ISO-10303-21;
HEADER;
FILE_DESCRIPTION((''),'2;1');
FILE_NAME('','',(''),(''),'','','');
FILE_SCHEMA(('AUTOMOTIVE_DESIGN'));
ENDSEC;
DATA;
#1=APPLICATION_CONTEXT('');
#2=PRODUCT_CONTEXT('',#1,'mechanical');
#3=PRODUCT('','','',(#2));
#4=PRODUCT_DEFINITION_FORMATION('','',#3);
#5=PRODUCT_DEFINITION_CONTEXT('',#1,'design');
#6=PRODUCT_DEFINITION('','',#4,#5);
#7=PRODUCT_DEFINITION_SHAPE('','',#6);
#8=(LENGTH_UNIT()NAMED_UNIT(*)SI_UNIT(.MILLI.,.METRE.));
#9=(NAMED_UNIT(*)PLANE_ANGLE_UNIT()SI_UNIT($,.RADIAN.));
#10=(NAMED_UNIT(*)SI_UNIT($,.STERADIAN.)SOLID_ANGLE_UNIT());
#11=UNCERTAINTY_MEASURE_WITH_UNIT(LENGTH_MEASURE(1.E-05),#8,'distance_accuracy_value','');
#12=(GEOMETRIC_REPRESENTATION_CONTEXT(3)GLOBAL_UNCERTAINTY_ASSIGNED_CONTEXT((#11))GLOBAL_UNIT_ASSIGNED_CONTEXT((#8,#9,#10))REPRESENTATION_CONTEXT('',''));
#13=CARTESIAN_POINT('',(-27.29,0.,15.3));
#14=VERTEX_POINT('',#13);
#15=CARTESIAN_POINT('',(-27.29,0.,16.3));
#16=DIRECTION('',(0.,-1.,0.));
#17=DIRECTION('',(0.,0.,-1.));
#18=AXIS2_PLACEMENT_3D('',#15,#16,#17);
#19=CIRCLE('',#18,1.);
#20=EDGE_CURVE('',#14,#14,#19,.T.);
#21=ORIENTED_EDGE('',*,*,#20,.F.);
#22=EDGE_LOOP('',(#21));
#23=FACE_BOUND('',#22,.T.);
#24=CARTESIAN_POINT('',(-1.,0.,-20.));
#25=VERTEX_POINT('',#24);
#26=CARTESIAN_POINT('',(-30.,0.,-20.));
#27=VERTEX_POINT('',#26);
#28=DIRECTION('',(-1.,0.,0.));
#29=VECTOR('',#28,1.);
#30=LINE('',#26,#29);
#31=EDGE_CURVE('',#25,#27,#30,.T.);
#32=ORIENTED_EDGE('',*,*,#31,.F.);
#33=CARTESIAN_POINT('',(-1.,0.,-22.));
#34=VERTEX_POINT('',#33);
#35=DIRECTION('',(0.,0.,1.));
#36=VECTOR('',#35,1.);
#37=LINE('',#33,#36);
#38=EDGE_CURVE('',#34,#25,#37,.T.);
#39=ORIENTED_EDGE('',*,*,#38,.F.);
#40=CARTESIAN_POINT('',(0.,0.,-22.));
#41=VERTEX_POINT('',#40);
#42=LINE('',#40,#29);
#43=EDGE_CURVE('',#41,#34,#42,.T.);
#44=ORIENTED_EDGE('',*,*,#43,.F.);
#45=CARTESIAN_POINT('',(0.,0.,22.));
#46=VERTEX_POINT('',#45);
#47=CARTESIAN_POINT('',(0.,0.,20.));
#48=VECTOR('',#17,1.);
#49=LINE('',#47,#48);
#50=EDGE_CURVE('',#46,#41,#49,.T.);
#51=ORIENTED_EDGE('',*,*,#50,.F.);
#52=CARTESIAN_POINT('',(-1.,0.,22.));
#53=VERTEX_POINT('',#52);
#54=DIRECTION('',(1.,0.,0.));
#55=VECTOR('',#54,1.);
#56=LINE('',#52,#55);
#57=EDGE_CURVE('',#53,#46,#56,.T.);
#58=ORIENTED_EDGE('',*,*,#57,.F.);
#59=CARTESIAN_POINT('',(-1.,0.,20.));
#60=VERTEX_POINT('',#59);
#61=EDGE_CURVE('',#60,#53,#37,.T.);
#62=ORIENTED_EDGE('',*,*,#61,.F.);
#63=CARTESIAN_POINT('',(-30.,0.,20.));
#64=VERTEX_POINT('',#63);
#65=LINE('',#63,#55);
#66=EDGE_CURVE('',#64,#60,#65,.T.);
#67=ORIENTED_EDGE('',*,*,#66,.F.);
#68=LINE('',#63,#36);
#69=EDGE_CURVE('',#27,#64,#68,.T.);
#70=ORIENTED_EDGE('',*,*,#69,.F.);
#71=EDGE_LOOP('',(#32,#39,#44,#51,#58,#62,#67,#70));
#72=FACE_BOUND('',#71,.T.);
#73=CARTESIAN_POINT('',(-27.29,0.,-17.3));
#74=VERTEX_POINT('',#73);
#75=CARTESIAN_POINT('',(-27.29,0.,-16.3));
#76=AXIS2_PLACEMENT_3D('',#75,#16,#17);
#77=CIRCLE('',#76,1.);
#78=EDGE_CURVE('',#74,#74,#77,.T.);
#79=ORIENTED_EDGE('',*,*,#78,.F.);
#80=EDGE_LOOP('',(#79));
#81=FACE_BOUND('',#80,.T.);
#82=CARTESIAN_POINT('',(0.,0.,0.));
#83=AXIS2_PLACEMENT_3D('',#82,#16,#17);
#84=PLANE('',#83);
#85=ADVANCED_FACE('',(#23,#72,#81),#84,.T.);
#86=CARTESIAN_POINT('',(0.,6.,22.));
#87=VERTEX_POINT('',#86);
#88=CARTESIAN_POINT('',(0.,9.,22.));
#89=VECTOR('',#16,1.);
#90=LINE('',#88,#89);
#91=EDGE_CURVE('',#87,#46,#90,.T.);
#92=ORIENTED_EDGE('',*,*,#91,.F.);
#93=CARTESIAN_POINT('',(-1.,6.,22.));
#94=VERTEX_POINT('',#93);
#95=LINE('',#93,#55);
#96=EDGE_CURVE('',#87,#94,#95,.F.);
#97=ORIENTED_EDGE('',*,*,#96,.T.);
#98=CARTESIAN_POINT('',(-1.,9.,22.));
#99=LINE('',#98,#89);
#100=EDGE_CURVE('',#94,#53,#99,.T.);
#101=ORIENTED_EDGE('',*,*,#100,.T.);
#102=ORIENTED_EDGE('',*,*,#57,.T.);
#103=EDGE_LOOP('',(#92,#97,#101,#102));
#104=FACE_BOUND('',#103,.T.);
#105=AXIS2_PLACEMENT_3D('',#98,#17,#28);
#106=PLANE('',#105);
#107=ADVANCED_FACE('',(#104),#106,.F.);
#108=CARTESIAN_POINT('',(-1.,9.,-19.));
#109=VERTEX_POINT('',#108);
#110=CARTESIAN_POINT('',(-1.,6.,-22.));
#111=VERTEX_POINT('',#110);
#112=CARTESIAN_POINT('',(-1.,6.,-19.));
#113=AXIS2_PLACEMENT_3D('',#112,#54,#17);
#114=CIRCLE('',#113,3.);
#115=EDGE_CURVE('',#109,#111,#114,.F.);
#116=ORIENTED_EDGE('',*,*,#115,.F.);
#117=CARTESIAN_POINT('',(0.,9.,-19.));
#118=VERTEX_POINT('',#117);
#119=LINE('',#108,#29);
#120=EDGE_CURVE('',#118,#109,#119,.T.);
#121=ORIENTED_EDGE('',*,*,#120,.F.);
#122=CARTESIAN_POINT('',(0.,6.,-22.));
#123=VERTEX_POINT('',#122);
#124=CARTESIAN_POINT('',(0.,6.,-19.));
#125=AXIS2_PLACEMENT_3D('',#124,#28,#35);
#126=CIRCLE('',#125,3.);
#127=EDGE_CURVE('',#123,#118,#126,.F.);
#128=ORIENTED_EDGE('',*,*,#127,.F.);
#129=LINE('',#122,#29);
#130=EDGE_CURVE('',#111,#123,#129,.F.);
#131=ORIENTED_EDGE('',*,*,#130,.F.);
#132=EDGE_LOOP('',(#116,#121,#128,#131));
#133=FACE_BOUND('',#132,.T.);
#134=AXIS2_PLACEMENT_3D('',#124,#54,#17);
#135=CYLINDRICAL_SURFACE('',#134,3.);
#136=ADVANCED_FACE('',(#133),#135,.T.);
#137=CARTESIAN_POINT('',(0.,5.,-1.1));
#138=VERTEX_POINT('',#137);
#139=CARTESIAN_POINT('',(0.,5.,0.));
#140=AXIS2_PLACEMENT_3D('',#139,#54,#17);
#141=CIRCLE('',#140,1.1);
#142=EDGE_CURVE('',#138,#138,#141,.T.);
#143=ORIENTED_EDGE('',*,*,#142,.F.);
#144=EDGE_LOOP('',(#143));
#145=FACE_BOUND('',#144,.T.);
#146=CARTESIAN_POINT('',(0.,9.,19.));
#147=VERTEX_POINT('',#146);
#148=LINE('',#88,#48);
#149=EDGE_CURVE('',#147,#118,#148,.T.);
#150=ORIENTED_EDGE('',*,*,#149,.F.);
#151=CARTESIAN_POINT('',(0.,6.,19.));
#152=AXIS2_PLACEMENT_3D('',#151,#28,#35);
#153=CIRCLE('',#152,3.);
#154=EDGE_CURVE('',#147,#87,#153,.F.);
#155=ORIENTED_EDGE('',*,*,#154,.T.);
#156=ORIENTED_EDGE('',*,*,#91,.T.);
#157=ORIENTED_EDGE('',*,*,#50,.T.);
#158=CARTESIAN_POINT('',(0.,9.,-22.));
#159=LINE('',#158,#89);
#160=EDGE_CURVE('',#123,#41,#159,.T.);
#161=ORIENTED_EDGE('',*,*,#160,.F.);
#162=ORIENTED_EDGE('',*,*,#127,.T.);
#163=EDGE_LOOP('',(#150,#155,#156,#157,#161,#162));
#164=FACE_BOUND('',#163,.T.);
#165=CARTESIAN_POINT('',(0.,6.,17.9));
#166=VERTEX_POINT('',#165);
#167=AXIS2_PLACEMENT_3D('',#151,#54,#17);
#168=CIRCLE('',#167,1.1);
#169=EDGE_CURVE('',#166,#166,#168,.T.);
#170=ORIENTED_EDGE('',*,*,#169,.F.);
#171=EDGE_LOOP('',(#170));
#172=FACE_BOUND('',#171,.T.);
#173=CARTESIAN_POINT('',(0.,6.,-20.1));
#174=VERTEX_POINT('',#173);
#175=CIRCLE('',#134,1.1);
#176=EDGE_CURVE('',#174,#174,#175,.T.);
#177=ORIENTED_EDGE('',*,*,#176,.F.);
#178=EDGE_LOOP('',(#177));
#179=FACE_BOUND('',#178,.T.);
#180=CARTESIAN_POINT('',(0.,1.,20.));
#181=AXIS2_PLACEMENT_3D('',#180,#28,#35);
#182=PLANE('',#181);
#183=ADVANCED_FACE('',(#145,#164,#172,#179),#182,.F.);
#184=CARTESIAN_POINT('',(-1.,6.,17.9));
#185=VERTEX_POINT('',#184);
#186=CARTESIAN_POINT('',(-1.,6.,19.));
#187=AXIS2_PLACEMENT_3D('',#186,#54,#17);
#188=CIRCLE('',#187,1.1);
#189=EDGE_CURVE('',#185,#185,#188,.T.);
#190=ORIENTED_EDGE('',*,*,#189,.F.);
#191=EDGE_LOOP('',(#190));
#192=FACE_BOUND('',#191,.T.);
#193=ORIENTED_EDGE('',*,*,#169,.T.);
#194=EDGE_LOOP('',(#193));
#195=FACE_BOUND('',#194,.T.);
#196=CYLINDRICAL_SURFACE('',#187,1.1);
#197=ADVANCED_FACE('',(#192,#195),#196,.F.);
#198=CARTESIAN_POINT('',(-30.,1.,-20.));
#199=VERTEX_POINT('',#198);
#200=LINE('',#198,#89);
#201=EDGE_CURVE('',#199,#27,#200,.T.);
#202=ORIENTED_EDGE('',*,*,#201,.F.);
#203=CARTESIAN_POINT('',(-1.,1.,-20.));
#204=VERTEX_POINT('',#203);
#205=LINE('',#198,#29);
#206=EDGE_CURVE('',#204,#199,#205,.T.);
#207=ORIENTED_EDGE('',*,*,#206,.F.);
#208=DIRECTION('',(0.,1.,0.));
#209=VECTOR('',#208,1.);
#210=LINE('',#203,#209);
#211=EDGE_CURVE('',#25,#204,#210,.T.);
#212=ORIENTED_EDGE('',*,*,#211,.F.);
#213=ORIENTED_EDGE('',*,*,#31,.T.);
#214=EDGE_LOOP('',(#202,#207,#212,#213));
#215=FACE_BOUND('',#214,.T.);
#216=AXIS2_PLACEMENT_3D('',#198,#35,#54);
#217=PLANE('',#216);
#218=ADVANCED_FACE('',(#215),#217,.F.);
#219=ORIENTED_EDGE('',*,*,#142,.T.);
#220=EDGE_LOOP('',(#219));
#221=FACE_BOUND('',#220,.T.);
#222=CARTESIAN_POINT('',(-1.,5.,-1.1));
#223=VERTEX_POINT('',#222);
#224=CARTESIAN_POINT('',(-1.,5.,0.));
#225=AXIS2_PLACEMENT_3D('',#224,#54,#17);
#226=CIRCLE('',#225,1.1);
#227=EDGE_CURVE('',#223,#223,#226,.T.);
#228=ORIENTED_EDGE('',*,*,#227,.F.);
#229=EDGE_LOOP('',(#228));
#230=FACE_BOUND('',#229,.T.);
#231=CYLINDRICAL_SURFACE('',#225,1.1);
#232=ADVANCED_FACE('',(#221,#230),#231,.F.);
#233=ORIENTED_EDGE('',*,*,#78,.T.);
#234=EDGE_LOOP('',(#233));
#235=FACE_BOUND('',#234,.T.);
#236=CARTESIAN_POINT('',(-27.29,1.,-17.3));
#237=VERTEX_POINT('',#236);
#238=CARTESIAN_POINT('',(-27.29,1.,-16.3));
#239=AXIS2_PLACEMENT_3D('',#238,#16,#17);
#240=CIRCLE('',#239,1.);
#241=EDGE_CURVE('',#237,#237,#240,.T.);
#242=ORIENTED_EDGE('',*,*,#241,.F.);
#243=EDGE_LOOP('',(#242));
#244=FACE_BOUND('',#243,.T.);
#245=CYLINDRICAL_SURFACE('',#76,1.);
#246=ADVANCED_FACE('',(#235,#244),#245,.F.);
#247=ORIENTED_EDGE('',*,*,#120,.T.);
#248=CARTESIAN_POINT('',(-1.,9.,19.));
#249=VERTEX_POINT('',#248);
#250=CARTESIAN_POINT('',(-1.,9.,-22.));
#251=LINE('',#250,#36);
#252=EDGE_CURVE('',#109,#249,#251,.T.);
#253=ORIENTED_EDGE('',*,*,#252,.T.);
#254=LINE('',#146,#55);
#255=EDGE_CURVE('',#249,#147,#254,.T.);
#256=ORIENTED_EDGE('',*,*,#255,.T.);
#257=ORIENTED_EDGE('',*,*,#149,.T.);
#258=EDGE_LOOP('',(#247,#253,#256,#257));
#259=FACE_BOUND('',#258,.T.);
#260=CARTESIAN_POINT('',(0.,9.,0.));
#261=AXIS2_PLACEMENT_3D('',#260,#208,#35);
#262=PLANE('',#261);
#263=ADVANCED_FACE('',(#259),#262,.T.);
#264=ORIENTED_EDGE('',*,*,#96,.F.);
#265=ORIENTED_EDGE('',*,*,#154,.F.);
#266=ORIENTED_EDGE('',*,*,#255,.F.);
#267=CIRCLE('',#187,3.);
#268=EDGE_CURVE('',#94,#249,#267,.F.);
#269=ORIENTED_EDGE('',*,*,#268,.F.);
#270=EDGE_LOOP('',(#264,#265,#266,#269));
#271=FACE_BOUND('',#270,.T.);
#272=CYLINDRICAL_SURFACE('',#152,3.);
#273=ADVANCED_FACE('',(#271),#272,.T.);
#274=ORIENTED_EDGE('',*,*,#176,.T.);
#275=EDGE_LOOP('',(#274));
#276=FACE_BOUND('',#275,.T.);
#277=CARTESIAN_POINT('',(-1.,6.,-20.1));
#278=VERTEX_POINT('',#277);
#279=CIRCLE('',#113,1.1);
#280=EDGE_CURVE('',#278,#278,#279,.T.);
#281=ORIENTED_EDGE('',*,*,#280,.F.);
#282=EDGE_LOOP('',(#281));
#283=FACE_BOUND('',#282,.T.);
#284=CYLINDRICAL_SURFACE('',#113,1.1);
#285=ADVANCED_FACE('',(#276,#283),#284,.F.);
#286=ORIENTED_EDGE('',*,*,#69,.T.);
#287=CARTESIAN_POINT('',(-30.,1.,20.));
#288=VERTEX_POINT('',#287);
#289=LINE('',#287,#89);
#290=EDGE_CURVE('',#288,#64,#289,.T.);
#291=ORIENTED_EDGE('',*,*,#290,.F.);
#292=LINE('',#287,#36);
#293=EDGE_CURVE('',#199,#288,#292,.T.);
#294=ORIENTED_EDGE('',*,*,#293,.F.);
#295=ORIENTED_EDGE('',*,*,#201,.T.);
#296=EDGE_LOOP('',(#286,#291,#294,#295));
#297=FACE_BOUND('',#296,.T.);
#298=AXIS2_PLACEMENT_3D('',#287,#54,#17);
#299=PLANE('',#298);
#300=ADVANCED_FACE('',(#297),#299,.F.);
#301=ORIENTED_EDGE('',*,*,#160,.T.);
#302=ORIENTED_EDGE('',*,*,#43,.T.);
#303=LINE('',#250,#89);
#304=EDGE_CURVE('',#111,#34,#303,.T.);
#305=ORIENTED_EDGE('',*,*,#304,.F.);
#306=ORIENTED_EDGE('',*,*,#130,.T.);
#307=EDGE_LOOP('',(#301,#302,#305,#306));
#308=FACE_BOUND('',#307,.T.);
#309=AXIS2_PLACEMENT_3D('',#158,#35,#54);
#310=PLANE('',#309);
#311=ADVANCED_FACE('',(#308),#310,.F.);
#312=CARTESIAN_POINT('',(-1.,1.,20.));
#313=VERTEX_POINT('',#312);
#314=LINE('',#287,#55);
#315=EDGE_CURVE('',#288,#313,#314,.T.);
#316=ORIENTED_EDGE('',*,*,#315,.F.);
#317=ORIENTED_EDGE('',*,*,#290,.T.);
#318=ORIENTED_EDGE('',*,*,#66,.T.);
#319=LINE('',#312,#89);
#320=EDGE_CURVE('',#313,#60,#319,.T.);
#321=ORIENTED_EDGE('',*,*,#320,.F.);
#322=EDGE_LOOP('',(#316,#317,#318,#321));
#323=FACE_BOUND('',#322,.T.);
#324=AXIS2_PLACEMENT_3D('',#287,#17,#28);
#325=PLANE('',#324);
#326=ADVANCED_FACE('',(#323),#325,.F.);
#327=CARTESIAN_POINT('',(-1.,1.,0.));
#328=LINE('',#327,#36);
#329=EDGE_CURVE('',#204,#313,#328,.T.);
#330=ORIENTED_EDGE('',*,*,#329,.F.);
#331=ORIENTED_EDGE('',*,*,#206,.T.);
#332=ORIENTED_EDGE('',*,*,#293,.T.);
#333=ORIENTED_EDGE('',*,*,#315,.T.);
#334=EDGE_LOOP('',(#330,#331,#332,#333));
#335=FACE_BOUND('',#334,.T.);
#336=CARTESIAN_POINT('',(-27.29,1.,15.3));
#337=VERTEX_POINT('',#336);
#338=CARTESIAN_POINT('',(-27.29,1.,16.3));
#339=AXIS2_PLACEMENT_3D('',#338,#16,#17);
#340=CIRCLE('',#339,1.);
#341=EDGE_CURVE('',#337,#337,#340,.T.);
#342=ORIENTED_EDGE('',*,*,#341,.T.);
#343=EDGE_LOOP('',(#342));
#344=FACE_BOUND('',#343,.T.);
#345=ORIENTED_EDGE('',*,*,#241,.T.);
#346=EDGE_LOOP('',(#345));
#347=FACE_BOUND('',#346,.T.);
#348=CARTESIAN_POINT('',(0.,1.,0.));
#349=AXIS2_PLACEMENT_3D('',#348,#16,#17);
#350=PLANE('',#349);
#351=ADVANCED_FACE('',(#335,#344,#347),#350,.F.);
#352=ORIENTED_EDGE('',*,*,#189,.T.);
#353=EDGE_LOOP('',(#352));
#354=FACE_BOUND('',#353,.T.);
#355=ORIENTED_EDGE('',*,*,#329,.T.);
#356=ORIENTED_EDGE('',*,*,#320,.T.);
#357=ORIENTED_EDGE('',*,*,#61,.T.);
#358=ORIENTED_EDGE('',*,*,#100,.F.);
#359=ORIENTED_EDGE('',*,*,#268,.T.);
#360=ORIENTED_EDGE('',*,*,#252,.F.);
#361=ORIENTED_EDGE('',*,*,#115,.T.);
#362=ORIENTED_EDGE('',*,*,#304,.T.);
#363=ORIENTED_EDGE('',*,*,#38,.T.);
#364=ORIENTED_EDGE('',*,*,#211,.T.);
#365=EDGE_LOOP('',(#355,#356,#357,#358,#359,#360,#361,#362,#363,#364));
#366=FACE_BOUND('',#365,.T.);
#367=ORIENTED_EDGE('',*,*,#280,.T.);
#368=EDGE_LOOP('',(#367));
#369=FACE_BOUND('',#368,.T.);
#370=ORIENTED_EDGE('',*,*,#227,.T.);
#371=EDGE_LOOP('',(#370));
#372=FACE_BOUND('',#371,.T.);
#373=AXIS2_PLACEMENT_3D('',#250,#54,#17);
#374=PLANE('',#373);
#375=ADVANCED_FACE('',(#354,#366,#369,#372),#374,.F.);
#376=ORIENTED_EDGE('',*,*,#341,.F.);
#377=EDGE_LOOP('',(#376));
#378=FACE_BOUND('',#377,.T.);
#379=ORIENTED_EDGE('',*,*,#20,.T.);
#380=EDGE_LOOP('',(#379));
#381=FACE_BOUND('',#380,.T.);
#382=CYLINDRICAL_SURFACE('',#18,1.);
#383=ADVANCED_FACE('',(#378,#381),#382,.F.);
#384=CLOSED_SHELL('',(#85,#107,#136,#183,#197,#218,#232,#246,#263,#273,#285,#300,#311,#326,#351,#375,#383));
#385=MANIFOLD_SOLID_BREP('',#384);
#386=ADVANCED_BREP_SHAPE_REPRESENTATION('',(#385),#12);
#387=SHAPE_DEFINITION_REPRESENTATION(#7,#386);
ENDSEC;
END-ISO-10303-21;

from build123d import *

# Parameters (mm, degrees)
SKETCH1_W                 = 30
SKETCH1_H                 = 40
BOSS_EXTRUDE1_DEPTH       = 1
SKETCH4_W                 = 1
SKETCH4_H                 = 44
BOSS_EXTRUDE2_DEPTH       = 9
SKETCH5_R                 = 1.1
CUT_EXTRUDE1_DEPTH        = 1
F_2_0MM_DOWEL_HOLE1_D     = 2
F_2_0MM_DOWEL_HOLE1_DEPTH = 2.6
F_2_0MM_DOWEL_HOLE1_TIP   = 0.600860619
FILLET3_R                 = 3


with BuildPart() as part:
    # Sketch1 → Boss-Extrude1 (new body)
    with BuildSketch(Plane(origin=(0, 0, 0), x_dir=(1, 0, 0), z_dir=(0, 1, 0))):
        with Locations((-15, 0)):
            Rectangle(SKETCH1_W, SKETCH1_H)
    extrude(amount=BOSS_EXTRUDE1_DEPTH)

    # Sketch4 → Boss-Extrude2 (add)
    with BuildSketch(Plane(origin=(0, 0, 0), x_dir=(1, 0, 0), z_dir=(0, 1, 0))):
        with Locations((-0.5, 0)):
            Rectangle(SKETCH4_W, SKETCH4_H)
    extrude(amount=BOSS_EXTRUDE2_DEPTH)

    # Sketch5 → Cut-Extrude1 (cut)
    with BuildSketch(Plane(origin=(0, 0, 0), x_dir=(0, 0, -1), z_dir=(1, 0, 0))):
        with Locations((-19, 6)):
            Circle(SKETCH5_R)
        with Locations((19, 6)):
            Circle(SKETCH5_R)
        with Locations((0, 5)):
            Circle(SKETCH5_R)
    extrude(amount=-CUT_EXTRUDE1_DEPTH, mode=Mode.SUBTRACT)

    # Ø2.0mm Dowel Hole1
    with Locations(Plane(origin=(0, 0, 0), x_dir=(-1, 0, 0), z_dir=(0, -1, 0))):
        with Locations((27.29, -16.3), (27.29, 16.3)):
            Hole(F_2_0MM_DOWEL_HOLE1_D / 2, depth=F_2_0MM_DOWEL_HOLE1_DEPTH)
            with Locations((0, 0, -(F_2_0MM_DOWEL_HOLE1_DEPTH + F_2_0MM_DOWEL_HOLE1_TIP / 2))):  # 118° drill point
                Cone(0, F_2_0MM_DOWEL_HOLE1_D / 2, F_2_0MM_DOWEL_HOLE1_TIP, mode=Mode.SUBTRACT)

    # Fillet3
    fillet3_edges = [part.edges().sort_by_distance(p)[0] for p in [
        (-0.5, 9, -22),
        (-0.5, 9, 22),
    ]]
    fillet(fillet3_edges, radius=FILLET3_R)


solid = part.part
